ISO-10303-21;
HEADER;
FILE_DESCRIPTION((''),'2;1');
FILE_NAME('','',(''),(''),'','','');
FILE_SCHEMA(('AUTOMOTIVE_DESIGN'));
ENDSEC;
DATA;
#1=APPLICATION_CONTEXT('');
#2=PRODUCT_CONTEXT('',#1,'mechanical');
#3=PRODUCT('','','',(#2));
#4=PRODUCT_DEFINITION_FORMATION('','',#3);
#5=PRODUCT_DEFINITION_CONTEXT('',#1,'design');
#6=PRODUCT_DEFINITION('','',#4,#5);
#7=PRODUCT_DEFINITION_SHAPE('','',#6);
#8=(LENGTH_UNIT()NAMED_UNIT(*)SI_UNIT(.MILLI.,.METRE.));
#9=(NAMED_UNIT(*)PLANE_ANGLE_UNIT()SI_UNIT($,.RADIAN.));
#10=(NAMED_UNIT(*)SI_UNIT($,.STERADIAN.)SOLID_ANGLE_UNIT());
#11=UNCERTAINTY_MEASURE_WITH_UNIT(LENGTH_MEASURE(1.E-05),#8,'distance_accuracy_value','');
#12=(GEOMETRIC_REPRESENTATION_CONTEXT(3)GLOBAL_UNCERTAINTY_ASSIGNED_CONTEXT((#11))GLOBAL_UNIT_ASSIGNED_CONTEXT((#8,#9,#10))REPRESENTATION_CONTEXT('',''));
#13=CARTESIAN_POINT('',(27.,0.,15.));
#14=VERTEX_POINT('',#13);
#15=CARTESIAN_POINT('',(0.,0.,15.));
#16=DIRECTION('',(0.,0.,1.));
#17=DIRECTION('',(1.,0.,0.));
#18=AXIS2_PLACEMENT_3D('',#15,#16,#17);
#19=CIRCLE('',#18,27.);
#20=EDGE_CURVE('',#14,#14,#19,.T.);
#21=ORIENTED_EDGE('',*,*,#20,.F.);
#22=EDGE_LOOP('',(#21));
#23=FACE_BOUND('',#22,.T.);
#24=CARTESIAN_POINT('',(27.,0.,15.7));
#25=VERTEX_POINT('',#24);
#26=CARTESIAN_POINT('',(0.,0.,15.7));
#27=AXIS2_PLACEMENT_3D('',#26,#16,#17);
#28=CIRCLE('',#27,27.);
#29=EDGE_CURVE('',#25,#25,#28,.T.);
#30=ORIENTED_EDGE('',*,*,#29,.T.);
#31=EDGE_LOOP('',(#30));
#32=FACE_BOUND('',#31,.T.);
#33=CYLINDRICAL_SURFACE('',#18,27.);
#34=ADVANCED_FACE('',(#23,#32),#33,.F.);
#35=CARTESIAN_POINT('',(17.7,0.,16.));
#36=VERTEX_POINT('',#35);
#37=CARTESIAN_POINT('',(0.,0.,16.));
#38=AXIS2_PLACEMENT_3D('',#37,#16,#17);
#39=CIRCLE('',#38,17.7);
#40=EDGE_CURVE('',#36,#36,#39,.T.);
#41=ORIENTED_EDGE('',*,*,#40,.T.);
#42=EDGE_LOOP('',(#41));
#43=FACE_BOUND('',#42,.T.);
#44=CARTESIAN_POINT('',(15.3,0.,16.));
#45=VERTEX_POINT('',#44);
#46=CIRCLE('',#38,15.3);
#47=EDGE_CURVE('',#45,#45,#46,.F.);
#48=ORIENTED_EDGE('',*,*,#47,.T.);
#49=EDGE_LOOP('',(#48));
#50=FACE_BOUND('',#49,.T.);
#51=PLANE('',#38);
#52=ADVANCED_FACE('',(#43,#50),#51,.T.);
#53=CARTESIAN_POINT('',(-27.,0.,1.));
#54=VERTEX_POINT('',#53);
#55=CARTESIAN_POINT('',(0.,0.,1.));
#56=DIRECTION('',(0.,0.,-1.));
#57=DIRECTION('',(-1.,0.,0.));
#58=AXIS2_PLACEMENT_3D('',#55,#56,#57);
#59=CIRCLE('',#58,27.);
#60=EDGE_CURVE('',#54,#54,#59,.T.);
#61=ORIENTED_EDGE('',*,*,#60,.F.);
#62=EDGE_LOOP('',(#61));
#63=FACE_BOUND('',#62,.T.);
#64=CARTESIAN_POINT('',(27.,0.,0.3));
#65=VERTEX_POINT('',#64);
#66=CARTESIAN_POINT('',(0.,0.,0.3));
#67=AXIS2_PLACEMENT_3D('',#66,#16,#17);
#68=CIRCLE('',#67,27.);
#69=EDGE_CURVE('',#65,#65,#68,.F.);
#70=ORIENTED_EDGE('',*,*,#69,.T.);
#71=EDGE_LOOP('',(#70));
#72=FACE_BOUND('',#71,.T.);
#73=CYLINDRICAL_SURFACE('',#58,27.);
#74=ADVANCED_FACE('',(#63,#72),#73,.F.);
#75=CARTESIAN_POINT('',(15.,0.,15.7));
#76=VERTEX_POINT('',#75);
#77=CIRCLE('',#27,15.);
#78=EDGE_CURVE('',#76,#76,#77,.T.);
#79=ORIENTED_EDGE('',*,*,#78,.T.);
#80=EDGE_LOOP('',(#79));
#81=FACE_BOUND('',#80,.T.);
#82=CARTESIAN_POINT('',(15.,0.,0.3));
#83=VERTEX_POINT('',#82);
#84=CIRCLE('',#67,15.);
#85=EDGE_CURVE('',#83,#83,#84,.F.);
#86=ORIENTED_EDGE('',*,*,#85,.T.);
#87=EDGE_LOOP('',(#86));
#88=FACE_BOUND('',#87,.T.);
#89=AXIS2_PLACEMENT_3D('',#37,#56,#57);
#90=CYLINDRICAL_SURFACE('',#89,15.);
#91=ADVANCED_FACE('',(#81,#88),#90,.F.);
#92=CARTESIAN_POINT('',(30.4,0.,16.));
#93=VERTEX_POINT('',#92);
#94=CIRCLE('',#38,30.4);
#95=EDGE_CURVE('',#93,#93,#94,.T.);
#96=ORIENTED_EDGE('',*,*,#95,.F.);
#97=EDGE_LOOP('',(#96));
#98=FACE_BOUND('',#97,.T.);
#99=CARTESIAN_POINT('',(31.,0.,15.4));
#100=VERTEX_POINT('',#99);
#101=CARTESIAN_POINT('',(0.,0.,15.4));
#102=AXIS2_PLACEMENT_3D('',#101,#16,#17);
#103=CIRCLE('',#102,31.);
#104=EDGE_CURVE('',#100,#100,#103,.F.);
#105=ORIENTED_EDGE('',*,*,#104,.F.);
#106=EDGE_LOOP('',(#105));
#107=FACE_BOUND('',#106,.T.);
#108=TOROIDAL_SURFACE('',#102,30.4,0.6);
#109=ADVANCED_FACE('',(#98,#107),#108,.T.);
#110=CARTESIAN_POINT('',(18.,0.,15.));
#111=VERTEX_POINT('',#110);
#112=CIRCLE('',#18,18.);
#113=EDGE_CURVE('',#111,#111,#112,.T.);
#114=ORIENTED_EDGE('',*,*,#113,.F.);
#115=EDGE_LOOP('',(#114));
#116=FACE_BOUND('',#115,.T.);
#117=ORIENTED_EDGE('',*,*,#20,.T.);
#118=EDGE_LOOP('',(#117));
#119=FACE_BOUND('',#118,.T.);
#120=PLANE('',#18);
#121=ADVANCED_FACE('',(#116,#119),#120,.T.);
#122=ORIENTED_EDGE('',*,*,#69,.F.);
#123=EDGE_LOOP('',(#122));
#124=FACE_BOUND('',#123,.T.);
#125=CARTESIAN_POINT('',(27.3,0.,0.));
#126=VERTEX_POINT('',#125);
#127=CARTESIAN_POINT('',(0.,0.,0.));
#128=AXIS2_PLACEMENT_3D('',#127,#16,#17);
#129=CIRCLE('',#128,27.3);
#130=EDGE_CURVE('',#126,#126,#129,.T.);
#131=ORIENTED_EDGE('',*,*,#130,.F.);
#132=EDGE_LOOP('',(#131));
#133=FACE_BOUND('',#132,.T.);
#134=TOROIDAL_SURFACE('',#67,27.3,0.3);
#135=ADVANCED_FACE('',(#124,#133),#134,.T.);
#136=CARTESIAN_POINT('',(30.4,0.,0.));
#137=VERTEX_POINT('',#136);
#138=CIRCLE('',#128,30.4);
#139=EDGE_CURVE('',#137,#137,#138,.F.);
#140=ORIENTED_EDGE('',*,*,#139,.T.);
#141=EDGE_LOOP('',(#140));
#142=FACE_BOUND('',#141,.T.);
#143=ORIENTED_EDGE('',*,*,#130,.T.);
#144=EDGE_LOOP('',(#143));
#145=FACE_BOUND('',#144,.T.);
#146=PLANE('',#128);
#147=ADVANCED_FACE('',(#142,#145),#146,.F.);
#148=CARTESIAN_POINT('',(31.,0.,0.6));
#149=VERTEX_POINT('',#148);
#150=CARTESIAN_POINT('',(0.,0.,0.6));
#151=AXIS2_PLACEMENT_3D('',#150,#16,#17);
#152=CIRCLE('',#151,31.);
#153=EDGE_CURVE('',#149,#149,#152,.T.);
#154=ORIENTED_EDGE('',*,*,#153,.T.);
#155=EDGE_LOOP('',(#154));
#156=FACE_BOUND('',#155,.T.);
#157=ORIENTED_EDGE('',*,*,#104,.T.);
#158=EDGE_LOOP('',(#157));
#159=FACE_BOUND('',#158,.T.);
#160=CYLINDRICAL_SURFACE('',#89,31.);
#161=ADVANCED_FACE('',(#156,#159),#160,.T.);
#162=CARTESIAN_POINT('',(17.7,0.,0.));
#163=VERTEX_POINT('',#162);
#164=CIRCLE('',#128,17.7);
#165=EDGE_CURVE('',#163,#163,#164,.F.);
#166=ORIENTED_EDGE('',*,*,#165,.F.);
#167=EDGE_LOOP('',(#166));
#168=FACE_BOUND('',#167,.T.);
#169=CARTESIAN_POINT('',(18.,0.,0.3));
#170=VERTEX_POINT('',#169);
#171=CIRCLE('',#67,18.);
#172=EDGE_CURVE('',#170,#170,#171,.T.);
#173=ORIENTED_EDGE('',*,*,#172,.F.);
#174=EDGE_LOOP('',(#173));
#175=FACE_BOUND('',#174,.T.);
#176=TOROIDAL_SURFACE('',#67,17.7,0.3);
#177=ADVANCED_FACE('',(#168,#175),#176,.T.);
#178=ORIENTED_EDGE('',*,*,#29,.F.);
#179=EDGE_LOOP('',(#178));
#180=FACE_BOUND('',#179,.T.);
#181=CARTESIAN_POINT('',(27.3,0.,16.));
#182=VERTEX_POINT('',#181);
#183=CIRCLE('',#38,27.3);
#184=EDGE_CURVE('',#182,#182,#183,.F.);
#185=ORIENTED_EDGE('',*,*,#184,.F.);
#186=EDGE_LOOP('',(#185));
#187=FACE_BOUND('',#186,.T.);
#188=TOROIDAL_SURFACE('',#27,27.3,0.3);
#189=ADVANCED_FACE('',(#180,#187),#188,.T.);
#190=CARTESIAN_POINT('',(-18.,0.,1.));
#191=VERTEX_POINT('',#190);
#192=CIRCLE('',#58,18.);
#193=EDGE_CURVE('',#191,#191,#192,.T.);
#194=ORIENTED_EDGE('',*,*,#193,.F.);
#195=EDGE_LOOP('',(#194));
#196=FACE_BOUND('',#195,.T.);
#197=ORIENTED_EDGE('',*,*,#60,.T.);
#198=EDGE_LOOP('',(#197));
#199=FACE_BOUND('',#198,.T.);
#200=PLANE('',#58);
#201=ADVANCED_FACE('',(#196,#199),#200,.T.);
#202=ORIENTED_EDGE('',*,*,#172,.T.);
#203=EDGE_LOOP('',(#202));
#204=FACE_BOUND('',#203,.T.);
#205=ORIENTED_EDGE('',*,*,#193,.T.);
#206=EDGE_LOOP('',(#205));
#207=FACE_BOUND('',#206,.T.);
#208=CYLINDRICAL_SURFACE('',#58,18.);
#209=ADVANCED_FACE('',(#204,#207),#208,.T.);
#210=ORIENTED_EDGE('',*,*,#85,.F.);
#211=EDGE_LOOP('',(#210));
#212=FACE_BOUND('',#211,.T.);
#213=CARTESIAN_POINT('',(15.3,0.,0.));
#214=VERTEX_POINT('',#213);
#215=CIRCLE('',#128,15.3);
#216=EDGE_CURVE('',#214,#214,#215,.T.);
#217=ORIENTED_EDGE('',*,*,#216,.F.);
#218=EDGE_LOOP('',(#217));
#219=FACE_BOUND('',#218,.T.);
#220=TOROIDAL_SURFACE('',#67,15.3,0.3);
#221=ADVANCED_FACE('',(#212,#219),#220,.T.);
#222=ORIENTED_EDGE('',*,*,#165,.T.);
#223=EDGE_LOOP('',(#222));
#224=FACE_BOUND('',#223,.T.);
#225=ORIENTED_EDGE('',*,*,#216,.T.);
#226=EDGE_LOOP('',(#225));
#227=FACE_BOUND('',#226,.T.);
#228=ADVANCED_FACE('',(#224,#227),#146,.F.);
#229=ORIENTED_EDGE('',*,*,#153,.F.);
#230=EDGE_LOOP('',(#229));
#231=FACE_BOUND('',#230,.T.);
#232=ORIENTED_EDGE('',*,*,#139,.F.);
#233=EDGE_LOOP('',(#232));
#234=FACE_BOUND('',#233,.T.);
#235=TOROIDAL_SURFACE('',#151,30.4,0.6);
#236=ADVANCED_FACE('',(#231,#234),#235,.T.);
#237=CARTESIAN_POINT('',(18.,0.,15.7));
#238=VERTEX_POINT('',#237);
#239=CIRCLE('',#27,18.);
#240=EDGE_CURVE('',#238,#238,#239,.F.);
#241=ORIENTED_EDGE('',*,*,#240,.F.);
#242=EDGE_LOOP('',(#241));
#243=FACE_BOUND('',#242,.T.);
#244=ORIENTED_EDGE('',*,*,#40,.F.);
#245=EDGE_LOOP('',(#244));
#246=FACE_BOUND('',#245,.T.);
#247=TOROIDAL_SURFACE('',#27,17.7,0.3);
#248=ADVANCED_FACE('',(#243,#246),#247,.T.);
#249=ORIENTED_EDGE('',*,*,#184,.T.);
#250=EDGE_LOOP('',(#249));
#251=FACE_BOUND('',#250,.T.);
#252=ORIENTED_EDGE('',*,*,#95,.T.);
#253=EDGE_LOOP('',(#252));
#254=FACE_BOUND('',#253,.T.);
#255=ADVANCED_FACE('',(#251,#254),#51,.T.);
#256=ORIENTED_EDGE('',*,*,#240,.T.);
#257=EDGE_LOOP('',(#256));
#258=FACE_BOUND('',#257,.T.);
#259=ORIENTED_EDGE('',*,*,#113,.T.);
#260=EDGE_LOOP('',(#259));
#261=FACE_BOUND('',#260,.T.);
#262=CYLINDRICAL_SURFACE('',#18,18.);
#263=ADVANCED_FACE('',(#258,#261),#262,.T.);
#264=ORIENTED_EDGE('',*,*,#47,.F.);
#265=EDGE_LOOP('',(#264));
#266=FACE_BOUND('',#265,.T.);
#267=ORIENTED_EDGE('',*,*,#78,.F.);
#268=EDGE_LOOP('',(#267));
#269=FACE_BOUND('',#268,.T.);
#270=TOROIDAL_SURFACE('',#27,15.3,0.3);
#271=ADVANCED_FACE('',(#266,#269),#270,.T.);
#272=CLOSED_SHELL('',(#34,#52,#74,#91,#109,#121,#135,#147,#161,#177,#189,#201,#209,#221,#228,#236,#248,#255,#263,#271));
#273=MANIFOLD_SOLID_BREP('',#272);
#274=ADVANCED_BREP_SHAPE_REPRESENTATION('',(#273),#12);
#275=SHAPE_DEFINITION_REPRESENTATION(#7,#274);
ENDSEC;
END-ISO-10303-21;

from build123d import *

# Parameters (mm, degrees)
IZIM1_R                     = 31
IZIM1_R_2                   = 15
Y_KSEKLIK_EKSTR_ZYON1_DEPTH = 16
IZIM2_R                     = 27
IZIM2_R_2                   = 18
KES_EKSTR_ZYON1_DEPTH       = 1
IZIM3_R                     = 27
IZIM3_R_2                   = 18
KES_EKSTR_ZYON2_DEPTH       = 1
RADYUS1_R                   = 0.6
RADYUS2_R                   = 0.3


with BuildPart() as part:
    # Çizim1 → Yükseklik-Ekstrüzyon1 (new body)
    with BuildSketch(Plane.XY):
        Circle(IZIM1_R)
        Circle(IZIM1_R_2, mode=Mode.SUBTRACT)
    extrude(amount=Y_KSEKLIK_EKSTR_ZYON1_DEPTH)

    # Çizim2 → Kes-Ekstrüzyon1 (cut)
    with BuildSketch(Plane(origin=(0, 0, 0), x_dir=(-1, 0, 0), z_dir=(0, 0, -1))):
        Circle(IZIM2_R)
        Circle(IZIM2_R_2, mode=Mode.SUBTRACT)
    extrude(amount=-KES_EKSTR_ZYON1_DEPTH, mode=Mode.SUBTRACT)

    # Çizim3 → Kes-Ekstrüzyon2 (cut)
    with BuildSketch(Plane.XY.offset(16)):
        Circle(IZIM3_R)
        Circle(IZIM3_R_2, mode=Mode.SUBTRACT)
    extrude(amount=-KES_EKSTR_ZYON2_DEPTH, mode=Mode.SUBTRACT)

    # Radyus1
    radyus1_edges = [part.edges().sort_by_distance(p)[0] for p in [
        (-31, 0, 0),
        (-31, 0, 16),
    ]]
    fillet(radyus1_edges, radius=RADYUS1_R)

    # Radyus2
    radyus2_edges = [part.edges().sort_by_distance(p)[0] for p in [
        (27, 0, 0),
        (18, 0, 0),
        (-27, 0, 16),
        (-18, 0, 16),
        (-15, 0, 0),
        (-15, 0, 16),
    ]]
    fillet(radyus2_edges, radius=RADYUS2_R)


solid = part.part
